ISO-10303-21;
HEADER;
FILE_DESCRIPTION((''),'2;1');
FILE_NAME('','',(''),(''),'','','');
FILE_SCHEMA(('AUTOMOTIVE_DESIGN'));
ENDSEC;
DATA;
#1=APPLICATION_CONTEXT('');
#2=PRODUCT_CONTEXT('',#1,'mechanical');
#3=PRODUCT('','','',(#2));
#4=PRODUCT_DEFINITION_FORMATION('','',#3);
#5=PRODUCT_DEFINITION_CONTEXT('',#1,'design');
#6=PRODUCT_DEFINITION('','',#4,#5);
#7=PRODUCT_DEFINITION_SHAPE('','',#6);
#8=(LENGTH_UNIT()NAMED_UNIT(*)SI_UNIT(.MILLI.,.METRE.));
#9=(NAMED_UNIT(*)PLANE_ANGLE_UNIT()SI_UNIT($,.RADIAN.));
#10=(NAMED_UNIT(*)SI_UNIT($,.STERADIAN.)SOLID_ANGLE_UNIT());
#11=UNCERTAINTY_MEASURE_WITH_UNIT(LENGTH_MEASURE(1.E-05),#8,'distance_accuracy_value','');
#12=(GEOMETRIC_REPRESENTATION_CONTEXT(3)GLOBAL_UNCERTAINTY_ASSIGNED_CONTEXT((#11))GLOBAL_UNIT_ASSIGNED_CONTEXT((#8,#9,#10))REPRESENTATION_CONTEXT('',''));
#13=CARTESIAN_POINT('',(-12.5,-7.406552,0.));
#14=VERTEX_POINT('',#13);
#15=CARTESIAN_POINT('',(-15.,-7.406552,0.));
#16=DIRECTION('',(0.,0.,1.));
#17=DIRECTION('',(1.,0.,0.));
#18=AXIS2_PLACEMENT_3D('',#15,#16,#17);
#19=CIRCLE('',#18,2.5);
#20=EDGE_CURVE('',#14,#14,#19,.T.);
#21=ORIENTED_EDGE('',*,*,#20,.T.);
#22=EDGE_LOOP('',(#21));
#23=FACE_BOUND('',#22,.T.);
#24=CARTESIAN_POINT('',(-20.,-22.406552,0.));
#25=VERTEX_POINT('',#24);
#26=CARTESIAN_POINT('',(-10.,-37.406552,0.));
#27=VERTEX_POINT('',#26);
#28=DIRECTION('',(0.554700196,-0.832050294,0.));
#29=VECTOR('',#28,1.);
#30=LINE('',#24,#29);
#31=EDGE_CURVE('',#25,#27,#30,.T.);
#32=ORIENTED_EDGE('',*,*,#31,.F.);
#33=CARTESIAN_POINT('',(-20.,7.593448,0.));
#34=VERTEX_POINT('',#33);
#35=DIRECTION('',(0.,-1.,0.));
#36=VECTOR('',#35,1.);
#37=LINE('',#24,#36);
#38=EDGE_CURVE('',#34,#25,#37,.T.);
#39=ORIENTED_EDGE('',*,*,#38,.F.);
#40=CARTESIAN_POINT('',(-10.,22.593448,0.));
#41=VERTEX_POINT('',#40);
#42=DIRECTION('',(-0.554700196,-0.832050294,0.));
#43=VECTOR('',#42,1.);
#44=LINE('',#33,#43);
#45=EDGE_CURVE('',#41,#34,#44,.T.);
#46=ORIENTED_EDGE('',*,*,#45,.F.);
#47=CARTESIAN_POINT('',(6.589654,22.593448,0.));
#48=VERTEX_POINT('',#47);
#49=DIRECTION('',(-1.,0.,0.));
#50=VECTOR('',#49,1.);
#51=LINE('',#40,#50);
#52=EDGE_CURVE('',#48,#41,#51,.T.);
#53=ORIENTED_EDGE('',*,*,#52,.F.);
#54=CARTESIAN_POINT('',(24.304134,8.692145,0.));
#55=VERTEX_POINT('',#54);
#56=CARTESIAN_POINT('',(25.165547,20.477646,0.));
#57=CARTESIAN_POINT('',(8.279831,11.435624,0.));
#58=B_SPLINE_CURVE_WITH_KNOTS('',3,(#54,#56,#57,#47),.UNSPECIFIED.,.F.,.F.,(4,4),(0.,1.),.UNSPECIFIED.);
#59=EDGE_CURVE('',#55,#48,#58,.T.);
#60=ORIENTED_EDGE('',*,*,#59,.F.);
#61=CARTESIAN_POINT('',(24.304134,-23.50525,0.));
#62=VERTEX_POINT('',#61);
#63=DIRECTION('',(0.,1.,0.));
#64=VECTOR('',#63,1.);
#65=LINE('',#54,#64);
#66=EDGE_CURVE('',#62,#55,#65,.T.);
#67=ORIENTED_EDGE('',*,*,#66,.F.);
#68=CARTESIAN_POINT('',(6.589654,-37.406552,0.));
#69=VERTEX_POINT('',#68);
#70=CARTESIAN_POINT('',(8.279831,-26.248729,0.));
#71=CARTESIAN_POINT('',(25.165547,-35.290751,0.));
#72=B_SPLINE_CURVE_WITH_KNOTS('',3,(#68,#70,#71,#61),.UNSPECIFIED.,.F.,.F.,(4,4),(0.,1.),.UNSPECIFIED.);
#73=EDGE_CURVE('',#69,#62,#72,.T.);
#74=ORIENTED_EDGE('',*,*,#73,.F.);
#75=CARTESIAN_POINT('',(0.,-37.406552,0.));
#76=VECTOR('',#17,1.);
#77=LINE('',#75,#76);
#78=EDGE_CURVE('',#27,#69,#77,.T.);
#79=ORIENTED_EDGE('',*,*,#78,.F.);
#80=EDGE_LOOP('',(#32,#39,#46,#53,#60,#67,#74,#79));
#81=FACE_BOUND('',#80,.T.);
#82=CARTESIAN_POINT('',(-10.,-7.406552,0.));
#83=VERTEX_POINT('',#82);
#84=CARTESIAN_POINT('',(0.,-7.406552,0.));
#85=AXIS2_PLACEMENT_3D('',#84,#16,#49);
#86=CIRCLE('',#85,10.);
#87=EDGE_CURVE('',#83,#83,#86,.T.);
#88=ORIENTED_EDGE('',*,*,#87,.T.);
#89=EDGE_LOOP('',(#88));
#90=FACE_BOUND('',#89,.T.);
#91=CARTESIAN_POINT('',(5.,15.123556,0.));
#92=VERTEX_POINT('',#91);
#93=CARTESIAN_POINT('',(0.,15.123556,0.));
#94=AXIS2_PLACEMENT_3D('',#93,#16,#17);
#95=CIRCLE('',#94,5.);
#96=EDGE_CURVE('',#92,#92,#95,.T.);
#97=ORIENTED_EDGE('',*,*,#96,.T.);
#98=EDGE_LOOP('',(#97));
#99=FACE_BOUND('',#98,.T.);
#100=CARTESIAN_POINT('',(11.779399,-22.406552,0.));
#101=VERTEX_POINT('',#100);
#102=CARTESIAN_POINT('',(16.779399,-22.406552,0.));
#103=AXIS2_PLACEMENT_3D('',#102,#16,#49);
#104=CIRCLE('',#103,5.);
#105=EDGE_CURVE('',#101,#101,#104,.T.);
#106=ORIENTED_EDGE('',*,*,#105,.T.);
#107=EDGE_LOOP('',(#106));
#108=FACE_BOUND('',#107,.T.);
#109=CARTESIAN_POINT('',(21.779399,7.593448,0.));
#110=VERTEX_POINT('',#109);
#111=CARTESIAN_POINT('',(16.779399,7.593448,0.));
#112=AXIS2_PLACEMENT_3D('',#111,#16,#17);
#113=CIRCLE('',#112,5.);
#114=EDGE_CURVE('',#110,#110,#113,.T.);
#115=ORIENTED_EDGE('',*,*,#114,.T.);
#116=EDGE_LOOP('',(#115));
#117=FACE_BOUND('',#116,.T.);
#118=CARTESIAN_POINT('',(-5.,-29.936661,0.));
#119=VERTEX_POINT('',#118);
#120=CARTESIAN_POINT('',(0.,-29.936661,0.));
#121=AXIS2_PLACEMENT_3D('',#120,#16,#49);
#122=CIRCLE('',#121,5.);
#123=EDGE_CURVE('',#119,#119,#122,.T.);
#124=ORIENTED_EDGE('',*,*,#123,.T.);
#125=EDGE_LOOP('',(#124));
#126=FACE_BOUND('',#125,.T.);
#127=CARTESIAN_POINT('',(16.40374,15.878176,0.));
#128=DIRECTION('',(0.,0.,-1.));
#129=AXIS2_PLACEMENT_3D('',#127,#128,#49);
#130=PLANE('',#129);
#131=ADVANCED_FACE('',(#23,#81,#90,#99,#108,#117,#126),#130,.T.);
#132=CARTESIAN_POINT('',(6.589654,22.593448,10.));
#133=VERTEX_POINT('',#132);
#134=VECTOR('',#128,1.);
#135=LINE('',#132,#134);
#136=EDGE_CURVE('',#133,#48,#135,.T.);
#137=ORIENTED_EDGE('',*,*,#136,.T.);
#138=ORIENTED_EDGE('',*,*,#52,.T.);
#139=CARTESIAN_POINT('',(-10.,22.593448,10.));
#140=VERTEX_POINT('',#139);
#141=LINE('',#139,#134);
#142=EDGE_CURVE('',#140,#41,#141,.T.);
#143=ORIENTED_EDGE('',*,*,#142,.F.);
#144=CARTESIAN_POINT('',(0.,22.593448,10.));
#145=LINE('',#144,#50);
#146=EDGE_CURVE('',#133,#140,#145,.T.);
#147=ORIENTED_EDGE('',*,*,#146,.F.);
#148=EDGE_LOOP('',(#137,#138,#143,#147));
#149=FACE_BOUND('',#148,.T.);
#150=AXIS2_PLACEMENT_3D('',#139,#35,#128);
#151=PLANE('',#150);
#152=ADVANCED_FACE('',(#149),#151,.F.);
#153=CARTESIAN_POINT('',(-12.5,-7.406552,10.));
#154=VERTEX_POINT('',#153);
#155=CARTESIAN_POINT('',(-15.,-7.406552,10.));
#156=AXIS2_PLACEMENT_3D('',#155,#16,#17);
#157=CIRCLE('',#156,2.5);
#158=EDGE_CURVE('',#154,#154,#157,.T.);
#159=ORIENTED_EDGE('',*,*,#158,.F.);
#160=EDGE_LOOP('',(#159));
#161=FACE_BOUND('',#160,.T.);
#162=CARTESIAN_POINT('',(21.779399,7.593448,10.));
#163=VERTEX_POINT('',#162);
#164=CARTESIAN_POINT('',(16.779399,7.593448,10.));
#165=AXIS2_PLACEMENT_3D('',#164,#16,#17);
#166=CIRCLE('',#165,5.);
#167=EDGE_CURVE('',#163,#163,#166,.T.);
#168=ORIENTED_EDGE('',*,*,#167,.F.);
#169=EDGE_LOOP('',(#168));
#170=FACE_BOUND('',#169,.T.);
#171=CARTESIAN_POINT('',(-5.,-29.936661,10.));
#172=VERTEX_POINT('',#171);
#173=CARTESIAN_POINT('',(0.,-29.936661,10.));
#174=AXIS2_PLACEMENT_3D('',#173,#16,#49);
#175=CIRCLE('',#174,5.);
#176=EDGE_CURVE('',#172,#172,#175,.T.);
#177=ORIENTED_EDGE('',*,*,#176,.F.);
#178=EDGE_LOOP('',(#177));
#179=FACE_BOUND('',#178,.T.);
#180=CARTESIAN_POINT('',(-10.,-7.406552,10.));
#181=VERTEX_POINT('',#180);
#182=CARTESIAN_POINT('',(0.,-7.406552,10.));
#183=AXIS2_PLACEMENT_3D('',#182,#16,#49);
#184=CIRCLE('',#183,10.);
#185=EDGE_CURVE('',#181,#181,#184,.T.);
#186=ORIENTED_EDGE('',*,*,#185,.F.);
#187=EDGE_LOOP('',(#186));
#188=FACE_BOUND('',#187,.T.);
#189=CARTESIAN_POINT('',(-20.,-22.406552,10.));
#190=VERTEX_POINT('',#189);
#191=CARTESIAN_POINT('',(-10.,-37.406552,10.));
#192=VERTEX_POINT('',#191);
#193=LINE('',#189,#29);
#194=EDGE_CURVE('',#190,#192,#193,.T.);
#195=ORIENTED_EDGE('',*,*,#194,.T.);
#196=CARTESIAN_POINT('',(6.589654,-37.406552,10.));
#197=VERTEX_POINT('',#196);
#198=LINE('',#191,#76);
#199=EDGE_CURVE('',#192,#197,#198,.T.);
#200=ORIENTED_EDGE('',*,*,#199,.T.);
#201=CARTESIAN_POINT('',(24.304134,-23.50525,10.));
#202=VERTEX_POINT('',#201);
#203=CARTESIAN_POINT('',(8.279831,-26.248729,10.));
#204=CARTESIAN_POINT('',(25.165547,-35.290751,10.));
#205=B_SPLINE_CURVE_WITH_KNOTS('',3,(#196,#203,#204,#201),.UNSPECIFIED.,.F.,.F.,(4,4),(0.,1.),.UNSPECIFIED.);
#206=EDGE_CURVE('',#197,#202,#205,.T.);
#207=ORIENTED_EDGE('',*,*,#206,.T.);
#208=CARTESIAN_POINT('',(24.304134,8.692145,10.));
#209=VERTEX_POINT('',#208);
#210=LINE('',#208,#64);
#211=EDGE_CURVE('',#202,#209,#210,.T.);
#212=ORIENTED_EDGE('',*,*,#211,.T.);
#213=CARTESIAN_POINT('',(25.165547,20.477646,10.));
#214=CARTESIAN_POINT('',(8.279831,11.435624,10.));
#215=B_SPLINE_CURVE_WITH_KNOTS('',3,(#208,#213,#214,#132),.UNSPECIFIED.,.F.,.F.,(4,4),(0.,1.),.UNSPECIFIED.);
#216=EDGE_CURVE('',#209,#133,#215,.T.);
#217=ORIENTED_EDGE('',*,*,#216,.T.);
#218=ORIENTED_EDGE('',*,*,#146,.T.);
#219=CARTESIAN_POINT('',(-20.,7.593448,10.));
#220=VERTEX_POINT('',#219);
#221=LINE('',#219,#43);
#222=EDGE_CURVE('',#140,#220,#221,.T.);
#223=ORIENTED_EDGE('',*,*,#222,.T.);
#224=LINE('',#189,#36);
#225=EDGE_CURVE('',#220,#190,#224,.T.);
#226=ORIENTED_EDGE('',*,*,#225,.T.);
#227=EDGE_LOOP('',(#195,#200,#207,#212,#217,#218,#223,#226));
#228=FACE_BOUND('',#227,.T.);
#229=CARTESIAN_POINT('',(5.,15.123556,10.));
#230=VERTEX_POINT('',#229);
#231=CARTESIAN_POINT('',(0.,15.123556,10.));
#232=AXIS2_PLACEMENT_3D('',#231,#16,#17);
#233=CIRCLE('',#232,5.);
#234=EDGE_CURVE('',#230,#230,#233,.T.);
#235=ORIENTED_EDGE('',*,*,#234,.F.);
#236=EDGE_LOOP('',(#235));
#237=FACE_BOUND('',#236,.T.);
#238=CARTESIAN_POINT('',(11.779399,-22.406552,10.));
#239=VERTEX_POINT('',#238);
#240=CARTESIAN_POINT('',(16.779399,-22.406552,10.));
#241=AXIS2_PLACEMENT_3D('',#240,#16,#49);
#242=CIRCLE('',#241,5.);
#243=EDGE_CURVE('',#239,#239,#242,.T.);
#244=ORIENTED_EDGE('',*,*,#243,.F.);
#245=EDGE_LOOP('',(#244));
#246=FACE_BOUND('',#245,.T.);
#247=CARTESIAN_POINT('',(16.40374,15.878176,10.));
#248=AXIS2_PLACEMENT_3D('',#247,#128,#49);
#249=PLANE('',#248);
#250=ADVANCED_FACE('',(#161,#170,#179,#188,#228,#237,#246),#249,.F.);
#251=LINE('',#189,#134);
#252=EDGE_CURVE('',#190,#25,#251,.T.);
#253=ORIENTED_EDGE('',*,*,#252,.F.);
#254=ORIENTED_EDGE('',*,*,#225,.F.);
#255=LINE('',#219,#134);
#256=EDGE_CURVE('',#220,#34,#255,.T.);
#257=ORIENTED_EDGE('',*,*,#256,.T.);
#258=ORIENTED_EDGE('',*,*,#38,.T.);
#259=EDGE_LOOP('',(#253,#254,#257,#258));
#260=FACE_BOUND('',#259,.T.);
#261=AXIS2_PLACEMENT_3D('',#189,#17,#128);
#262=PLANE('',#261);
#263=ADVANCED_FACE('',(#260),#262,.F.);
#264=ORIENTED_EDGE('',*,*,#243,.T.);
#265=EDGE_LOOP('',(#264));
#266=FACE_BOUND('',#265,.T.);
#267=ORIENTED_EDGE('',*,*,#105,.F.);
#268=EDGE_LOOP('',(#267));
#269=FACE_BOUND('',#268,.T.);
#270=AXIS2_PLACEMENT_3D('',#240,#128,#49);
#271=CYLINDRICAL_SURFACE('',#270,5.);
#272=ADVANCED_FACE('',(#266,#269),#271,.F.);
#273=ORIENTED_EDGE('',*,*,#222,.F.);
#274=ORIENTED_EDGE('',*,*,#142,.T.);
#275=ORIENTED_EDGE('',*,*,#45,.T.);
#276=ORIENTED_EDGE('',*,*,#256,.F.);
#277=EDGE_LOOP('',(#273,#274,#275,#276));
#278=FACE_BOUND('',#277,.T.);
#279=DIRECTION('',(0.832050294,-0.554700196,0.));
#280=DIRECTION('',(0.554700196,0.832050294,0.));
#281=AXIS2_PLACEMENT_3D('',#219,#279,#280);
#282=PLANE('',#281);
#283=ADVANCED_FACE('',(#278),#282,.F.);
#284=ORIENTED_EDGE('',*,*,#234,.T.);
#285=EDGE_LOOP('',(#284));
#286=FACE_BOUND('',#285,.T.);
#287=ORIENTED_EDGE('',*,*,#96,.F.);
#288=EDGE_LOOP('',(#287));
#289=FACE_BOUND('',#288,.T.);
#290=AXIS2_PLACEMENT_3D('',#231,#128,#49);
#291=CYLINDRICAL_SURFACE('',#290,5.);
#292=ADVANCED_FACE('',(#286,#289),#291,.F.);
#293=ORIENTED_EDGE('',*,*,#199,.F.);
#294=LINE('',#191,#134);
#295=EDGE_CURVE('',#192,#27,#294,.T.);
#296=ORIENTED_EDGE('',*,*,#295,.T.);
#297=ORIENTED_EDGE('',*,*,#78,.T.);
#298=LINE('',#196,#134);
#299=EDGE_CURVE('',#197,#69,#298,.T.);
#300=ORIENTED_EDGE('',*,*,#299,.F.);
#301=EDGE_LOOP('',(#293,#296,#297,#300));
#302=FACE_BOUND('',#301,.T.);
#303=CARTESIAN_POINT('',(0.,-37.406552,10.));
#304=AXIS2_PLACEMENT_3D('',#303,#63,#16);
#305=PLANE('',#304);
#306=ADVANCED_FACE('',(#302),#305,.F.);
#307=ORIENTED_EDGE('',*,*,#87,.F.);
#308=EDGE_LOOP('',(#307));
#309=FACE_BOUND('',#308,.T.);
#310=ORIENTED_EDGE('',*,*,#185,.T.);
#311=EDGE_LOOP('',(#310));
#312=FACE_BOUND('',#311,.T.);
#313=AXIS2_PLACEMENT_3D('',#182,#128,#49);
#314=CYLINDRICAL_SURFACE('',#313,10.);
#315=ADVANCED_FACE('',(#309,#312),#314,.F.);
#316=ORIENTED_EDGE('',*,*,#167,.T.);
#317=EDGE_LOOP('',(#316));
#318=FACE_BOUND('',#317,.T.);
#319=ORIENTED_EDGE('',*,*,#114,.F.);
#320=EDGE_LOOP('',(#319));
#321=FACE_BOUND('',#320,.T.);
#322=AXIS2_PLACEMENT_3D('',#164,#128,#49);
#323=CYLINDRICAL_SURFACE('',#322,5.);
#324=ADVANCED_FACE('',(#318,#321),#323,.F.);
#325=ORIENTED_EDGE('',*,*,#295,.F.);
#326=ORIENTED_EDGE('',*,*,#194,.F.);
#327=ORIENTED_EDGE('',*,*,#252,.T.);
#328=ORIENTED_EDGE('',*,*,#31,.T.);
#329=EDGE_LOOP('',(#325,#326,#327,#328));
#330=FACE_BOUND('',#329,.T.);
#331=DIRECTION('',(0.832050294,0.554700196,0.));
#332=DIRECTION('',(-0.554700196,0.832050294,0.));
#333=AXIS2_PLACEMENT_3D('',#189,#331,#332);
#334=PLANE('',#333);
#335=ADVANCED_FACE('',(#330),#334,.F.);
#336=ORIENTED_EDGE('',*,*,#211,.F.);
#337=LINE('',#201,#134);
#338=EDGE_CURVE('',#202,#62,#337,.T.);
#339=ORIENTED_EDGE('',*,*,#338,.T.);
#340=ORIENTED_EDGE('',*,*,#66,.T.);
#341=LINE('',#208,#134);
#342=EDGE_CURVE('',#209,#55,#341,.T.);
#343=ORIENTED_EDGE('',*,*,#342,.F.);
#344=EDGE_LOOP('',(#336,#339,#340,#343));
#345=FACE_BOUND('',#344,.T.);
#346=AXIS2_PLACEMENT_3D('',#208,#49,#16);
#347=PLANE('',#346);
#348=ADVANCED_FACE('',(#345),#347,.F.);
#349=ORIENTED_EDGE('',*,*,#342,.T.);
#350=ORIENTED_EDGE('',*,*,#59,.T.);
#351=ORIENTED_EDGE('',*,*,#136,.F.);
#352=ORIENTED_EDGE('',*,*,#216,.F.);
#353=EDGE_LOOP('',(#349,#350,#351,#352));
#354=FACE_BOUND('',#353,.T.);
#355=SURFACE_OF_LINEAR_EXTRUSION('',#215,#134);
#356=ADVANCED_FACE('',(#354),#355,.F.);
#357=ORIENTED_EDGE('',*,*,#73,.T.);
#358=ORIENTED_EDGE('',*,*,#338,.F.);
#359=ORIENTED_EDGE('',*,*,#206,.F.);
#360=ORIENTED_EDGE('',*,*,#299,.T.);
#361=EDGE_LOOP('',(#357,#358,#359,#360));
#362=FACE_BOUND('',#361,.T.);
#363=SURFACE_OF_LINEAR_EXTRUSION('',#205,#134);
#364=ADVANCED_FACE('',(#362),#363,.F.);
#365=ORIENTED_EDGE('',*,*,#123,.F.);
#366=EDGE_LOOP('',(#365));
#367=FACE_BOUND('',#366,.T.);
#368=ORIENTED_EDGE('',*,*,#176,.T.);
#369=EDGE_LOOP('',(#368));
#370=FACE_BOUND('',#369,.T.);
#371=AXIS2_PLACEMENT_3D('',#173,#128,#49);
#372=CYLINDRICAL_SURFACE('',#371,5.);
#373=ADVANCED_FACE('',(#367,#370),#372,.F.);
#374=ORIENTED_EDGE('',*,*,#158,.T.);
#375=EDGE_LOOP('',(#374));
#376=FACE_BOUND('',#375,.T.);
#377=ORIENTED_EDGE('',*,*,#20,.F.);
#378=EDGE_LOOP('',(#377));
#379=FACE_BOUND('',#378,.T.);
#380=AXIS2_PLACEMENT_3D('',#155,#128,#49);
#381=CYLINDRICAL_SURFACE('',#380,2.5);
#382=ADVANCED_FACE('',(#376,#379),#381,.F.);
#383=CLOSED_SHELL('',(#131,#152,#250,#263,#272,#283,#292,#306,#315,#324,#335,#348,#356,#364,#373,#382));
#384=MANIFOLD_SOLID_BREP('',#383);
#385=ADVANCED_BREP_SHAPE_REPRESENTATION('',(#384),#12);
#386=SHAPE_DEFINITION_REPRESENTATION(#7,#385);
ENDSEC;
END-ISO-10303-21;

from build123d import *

# Parameters (mm, degrees)
SKETCH1_R           = 10
SKETCH1_R_2         = 2.5
SKETCH1_R_3         = 5
BOSS_EXTRUDE1_DEPTH = 10


with BuildPart() as part:
    # Sketch1 → Boss-Extrude1 (new body)
    with BuildSketch(Plane.XY):
        with BuildLine():
            Line((-20, -22.406552459), (-20, 7.593447541))
            Line((-20, 7.593447541), (-10, 22.593447541))
            Line((-10, 22.593447541), (0, 22.593447541))
            Line((0, 22.593447541), (6.589653899, 22.593447541))
            add(Edge.make_bspline(
                [(6.589653899, 22.593447541), (8.279830639, 11.435624487), (25.165546695, 20.477646142), (24.304134066, 8.692145069)],
                knots=[0, 0, 0, 0, 1, 1, 1, 1], degree=3))
            Line((24.304134066, 8.692145069), (24.304134066, -23.505249987))
            add(Edge.make_bspline(
                [(6.589653899, -37.406552459), (8.279830639, -26.248729405), (25.165546695, -35.290751061), (24.304134066, -23.505249987)],
                knots=[0, 0, 0, 0, 1, 1, 1, 1], degree=3))
            Line((6.589653899, -37.406552459), (0, -37.406552459))
            Line((0, -37.406552459), (-10, -37.406552459))
            Line((-10, -37.406552459), (-20, -22.406552459))
        make_face()
        with Locations(Location((0, -7.406552459, 0), (0, 0, 180))):
            Circle(SKETCH1_R, mode=Mode.SUBTRACT)
        with Locations((-15, -7.406552459)):
            Circle(SKETCH1_R_2, mode=Mode.SUBTRACT)
        with Locations((0, 15.12355642)):
            Circle(SKETCH1_R_3, mode=Mode.SUBTRACT)
        with Locations((16.779399128, 7.593447541)):
            Circle(SKETCH1_R_3, mode=Mode.SUBTRACT)
        with Locations(Location((0, -29.936661338, 0), (0, 0, 180))):
            Circle(SKETCH1_R_3, mode=Mode.SUBTRACT)
        with Locations(Location((16.779399128, -22.406552459, 0), (0, 0, 180))):
            Circle(SKETCH1_R_3, mode=Mode.SUBTRACT)
    extrude(amount=BOSS_EXTRUDE1_DEPTH)


solid = part.part
